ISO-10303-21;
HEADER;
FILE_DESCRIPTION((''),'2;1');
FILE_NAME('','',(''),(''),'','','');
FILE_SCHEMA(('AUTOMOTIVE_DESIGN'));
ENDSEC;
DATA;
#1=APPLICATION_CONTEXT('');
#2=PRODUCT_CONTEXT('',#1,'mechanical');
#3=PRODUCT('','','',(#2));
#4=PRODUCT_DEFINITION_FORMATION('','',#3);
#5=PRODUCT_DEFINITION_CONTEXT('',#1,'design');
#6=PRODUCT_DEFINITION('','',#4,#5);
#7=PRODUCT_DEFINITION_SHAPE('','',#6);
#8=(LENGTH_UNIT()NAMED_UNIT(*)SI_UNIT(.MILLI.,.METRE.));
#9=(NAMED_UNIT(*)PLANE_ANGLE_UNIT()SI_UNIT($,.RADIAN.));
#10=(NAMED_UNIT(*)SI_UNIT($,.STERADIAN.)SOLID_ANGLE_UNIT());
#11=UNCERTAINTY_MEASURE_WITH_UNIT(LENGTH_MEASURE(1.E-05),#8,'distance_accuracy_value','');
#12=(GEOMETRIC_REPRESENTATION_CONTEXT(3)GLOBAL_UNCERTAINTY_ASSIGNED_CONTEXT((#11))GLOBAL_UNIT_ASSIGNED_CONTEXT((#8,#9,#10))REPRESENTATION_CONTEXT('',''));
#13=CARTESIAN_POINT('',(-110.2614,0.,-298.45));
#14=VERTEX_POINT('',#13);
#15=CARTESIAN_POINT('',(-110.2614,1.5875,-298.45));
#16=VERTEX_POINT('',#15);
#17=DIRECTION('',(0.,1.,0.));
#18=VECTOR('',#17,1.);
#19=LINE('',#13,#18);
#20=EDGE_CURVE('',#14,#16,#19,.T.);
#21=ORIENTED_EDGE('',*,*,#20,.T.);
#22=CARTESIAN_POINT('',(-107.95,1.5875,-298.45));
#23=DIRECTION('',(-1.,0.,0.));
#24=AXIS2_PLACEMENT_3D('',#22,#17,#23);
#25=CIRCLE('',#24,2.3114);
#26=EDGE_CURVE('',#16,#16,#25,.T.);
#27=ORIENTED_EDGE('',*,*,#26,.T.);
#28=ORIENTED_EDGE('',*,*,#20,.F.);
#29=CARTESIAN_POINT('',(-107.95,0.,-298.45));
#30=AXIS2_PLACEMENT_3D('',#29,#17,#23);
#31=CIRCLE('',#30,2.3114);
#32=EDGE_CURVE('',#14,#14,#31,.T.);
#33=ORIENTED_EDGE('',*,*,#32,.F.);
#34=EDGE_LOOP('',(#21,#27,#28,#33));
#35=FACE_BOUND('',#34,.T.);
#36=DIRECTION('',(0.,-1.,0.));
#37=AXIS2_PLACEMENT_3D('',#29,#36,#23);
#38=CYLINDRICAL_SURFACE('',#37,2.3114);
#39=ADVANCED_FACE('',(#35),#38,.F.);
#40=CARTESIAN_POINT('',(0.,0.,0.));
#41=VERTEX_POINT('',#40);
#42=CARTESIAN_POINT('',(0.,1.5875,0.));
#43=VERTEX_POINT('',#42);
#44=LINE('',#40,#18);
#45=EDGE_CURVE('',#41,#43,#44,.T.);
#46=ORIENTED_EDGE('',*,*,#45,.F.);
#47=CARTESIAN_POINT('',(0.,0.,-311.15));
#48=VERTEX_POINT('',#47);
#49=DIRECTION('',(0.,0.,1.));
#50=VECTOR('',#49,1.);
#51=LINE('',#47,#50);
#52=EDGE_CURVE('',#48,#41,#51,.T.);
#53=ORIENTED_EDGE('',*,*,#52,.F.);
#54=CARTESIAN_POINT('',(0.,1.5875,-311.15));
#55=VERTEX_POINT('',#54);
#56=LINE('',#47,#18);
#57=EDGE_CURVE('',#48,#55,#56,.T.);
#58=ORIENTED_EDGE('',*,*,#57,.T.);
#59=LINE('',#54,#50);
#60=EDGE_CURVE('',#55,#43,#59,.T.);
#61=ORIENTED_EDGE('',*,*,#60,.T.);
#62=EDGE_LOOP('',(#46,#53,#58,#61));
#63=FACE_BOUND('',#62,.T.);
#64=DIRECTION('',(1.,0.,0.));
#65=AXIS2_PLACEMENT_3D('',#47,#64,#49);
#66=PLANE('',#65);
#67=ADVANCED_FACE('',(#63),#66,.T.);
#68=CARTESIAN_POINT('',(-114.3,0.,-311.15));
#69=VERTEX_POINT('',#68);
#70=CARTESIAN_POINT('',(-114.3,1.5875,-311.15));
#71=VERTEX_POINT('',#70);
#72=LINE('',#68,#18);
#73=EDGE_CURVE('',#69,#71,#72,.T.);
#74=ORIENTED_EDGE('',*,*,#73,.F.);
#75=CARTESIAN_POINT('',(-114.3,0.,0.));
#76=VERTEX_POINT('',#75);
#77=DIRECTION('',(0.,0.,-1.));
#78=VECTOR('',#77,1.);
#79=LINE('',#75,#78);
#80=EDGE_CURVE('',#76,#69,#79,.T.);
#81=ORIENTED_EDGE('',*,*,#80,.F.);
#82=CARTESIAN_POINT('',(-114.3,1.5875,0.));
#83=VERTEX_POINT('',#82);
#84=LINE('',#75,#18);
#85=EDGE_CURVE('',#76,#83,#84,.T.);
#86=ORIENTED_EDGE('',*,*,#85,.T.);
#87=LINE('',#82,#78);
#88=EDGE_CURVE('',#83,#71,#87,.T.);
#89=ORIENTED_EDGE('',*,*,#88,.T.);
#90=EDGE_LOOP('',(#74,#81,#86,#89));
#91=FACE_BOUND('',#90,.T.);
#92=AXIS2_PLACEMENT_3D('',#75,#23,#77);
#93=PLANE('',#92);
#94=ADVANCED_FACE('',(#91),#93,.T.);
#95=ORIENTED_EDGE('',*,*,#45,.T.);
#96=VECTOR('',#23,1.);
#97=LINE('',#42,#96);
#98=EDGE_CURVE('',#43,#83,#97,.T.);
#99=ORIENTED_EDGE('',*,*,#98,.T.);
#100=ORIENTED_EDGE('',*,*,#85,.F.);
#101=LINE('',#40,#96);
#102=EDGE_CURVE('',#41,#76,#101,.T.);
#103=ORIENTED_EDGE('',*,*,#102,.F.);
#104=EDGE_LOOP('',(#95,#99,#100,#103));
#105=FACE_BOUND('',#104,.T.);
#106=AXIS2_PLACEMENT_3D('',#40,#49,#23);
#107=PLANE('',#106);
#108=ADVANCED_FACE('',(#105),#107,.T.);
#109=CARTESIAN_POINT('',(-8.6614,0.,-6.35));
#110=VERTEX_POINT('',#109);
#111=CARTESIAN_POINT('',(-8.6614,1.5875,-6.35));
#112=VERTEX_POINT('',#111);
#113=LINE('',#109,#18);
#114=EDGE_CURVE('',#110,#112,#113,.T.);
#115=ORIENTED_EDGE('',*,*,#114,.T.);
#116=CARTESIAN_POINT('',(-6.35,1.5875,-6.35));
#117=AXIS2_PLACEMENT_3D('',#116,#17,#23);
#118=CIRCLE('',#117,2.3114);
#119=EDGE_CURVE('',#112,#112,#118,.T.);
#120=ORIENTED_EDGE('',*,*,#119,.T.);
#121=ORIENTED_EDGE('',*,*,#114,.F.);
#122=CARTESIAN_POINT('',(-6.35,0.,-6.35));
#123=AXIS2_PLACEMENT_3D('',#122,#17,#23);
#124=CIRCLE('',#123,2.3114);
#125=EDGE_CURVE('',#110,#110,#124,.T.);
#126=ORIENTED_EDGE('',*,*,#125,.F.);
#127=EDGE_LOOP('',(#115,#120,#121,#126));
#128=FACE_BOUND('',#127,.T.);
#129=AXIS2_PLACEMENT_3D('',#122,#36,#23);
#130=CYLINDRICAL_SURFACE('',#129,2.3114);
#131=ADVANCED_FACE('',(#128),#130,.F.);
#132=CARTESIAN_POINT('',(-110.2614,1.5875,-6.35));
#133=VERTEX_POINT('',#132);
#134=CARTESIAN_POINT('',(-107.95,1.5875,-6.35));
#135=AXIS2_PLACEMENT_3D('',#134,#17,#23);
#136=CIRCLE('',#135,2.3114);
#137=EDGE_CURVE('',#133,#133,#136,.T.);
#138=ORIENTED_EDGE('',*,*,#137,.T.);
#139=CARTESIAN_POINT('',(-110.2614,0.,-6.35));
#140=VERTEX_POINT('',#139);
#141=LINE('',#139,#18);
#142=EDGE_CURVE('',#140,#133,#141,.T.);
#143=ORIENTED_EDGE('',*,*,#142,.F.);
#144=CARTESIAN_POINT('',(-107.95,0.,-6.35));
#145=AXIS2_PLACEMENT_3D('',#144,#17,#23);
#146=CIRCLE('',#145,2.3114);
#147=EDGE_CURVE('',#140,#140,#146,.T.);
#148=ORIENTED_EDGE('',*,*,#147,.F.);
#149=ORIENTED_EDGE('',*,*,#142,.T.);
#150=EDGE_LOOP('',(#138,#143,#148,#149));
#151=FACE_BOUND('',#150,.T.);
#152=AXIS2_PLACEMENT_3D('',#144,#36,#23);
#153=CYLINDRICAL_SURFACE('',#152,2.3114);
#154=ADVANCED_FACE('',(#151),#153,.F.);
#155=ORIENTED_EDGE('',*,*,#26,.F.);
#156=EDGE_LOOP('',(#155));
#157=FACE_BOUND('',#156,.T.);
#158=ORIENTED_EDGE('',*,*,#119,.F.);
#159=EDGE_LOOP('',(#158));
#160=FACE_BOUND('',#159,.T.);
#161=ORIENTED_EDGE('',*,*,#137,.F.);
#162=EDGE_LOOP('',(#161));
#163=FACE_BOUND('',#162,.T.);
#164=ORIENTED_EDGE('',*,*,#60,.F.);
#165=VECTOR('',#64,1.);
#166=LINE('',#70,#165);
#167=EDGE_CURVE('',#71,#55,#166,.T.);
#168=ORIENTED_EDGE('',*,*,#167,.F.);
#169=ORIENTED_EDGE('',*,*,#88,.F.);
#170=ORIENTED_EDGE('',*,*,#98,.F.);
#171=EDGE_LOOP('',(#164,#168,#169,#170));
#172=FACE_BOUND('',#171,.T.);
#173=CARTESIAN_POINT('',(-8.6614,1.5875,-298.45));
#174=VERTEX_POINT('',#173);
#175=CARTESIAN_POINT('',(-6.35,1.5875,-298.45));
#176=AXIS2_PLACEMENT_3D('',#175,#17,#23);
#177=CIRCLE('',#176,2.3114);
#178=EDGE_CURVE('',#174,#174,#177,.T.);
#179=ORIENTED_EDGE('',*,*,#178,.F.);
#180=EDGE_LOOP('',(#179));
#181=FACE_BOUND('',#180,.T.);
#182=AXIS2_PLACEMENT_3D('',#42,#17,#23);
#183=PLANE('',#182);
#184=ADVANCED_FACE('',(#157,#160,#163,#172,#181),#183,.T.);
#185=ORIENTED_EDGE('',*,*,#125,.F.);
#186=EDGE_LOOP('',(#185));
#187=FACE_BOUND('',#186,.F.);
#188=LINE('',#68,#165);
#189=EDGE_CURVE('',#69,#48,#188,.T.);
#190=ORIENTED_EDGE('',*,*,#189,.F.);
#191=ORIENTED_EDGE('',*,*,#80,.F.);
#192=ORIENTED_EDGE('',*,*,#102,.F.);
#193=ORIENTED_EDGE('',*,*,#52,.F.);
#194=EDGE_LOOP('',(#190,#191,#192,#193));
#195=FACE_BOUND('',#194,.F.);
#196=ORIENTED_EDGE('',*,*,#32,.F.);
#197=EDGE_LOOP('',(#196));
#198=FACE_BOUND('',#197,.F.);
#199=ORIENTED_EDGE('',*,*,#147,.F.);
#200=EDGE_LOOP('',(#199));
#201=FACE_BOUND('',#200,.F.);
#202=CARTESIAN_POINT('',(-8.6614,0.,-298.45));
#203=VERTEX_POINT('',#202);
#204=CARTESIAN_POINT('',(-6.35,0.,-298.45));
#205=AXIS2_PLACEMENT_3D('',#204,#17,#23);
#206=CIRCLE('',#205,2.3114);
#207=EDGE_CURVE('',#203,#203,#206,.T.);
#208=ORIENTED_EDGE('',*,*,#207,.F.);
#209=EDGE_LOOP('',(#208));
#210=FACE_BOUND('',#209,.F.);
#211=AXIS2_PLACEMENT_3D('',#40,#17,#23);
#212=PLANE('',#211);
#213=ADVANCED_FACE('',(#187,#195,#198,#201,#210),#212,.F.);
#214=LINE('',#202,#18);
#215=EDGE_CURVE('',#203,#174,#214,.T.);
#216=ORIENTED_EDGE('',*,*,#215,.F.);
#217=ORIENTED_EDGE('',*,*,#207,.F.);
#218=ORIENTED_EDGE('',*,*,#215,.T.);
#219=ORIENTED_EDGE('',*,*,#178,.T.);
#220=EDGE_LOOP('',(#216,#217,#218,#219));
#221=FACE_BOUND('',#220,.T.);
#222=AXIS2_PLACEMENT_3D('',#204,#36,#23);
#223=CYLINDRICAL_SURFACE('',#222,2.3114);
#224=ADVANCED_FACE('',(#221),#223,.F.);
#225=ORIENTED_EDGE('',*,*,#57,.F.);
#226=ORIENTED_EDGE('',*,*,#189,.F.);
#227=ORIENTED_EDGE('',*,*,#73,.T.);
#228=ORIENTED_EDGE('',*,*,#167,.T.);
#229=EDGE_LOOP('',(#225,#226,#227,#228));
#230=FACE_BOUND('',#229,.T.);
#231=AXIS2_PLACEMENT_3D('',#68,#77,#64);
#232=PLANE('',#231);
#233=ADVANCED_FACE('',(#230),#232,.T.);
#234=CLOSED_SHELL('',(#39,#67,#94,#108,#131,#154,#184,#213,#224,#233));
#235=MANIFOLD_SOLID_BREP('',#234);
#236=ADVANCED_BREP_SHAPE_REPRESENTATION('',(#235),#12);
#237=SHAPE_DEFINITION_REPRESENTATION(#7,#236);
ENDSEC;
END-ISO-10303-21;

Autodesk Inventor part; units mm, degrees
ref_plane "YZ Plane" through (0, 0, 0) normal (1, 0, 0) x (0, 1, 0)
ref_plane "XZ Plane" through (0, 0, 0) normal (0, 1, 0) x (-1, 0, 0)
ref_plane "XY Plane" through (0, 0, 0) normal (0, 0, 1) x (1, 0, 0)
sketch "Sketch1" plane through (0, 0, 0) normal (0, 1, 0) x (-1, 0, 0)
  line L0 (0, 0) -> (114.3, 0)
  line L1 (114.3, 0) -> (114.3, -311.15)
  line L2 (114.3, -311.15) -> (0, -311.15)
  line L3 (0, -311.15) -> (0, 0)
  circle A0 centre (107.95, -6.35) radius 2.3114
  circle A1 centre (6.35, -6.35) radius 2.3114
  circle A2 centre (107.95, -298.45) radius 2.3114
  circle A3 centre (6.35, -298.45) radius 2.3114
  dimension "d0" = 114.3
  dimension "d1" = 311.15
  dimension "d2" = 4.6228
  dimension "d3" = 6.35
  dimension "d4" = 6.35
  dimension "d5" = 4.6228
  dimension "d6" = 6.35
  dimension "d7" = 6.35
  dimension "d10" = 4.6228
  dimension "d11" = 6.35
  dimension "d12" = 292.1
  dimension "d13" = 4.6228
  dimension "d14" = 6.35
  dimension "d15" = 0
extrude "Extrusion2" add sketch "Sketch1" along normal blind 1.5875
properties part number "ring_ramp"
